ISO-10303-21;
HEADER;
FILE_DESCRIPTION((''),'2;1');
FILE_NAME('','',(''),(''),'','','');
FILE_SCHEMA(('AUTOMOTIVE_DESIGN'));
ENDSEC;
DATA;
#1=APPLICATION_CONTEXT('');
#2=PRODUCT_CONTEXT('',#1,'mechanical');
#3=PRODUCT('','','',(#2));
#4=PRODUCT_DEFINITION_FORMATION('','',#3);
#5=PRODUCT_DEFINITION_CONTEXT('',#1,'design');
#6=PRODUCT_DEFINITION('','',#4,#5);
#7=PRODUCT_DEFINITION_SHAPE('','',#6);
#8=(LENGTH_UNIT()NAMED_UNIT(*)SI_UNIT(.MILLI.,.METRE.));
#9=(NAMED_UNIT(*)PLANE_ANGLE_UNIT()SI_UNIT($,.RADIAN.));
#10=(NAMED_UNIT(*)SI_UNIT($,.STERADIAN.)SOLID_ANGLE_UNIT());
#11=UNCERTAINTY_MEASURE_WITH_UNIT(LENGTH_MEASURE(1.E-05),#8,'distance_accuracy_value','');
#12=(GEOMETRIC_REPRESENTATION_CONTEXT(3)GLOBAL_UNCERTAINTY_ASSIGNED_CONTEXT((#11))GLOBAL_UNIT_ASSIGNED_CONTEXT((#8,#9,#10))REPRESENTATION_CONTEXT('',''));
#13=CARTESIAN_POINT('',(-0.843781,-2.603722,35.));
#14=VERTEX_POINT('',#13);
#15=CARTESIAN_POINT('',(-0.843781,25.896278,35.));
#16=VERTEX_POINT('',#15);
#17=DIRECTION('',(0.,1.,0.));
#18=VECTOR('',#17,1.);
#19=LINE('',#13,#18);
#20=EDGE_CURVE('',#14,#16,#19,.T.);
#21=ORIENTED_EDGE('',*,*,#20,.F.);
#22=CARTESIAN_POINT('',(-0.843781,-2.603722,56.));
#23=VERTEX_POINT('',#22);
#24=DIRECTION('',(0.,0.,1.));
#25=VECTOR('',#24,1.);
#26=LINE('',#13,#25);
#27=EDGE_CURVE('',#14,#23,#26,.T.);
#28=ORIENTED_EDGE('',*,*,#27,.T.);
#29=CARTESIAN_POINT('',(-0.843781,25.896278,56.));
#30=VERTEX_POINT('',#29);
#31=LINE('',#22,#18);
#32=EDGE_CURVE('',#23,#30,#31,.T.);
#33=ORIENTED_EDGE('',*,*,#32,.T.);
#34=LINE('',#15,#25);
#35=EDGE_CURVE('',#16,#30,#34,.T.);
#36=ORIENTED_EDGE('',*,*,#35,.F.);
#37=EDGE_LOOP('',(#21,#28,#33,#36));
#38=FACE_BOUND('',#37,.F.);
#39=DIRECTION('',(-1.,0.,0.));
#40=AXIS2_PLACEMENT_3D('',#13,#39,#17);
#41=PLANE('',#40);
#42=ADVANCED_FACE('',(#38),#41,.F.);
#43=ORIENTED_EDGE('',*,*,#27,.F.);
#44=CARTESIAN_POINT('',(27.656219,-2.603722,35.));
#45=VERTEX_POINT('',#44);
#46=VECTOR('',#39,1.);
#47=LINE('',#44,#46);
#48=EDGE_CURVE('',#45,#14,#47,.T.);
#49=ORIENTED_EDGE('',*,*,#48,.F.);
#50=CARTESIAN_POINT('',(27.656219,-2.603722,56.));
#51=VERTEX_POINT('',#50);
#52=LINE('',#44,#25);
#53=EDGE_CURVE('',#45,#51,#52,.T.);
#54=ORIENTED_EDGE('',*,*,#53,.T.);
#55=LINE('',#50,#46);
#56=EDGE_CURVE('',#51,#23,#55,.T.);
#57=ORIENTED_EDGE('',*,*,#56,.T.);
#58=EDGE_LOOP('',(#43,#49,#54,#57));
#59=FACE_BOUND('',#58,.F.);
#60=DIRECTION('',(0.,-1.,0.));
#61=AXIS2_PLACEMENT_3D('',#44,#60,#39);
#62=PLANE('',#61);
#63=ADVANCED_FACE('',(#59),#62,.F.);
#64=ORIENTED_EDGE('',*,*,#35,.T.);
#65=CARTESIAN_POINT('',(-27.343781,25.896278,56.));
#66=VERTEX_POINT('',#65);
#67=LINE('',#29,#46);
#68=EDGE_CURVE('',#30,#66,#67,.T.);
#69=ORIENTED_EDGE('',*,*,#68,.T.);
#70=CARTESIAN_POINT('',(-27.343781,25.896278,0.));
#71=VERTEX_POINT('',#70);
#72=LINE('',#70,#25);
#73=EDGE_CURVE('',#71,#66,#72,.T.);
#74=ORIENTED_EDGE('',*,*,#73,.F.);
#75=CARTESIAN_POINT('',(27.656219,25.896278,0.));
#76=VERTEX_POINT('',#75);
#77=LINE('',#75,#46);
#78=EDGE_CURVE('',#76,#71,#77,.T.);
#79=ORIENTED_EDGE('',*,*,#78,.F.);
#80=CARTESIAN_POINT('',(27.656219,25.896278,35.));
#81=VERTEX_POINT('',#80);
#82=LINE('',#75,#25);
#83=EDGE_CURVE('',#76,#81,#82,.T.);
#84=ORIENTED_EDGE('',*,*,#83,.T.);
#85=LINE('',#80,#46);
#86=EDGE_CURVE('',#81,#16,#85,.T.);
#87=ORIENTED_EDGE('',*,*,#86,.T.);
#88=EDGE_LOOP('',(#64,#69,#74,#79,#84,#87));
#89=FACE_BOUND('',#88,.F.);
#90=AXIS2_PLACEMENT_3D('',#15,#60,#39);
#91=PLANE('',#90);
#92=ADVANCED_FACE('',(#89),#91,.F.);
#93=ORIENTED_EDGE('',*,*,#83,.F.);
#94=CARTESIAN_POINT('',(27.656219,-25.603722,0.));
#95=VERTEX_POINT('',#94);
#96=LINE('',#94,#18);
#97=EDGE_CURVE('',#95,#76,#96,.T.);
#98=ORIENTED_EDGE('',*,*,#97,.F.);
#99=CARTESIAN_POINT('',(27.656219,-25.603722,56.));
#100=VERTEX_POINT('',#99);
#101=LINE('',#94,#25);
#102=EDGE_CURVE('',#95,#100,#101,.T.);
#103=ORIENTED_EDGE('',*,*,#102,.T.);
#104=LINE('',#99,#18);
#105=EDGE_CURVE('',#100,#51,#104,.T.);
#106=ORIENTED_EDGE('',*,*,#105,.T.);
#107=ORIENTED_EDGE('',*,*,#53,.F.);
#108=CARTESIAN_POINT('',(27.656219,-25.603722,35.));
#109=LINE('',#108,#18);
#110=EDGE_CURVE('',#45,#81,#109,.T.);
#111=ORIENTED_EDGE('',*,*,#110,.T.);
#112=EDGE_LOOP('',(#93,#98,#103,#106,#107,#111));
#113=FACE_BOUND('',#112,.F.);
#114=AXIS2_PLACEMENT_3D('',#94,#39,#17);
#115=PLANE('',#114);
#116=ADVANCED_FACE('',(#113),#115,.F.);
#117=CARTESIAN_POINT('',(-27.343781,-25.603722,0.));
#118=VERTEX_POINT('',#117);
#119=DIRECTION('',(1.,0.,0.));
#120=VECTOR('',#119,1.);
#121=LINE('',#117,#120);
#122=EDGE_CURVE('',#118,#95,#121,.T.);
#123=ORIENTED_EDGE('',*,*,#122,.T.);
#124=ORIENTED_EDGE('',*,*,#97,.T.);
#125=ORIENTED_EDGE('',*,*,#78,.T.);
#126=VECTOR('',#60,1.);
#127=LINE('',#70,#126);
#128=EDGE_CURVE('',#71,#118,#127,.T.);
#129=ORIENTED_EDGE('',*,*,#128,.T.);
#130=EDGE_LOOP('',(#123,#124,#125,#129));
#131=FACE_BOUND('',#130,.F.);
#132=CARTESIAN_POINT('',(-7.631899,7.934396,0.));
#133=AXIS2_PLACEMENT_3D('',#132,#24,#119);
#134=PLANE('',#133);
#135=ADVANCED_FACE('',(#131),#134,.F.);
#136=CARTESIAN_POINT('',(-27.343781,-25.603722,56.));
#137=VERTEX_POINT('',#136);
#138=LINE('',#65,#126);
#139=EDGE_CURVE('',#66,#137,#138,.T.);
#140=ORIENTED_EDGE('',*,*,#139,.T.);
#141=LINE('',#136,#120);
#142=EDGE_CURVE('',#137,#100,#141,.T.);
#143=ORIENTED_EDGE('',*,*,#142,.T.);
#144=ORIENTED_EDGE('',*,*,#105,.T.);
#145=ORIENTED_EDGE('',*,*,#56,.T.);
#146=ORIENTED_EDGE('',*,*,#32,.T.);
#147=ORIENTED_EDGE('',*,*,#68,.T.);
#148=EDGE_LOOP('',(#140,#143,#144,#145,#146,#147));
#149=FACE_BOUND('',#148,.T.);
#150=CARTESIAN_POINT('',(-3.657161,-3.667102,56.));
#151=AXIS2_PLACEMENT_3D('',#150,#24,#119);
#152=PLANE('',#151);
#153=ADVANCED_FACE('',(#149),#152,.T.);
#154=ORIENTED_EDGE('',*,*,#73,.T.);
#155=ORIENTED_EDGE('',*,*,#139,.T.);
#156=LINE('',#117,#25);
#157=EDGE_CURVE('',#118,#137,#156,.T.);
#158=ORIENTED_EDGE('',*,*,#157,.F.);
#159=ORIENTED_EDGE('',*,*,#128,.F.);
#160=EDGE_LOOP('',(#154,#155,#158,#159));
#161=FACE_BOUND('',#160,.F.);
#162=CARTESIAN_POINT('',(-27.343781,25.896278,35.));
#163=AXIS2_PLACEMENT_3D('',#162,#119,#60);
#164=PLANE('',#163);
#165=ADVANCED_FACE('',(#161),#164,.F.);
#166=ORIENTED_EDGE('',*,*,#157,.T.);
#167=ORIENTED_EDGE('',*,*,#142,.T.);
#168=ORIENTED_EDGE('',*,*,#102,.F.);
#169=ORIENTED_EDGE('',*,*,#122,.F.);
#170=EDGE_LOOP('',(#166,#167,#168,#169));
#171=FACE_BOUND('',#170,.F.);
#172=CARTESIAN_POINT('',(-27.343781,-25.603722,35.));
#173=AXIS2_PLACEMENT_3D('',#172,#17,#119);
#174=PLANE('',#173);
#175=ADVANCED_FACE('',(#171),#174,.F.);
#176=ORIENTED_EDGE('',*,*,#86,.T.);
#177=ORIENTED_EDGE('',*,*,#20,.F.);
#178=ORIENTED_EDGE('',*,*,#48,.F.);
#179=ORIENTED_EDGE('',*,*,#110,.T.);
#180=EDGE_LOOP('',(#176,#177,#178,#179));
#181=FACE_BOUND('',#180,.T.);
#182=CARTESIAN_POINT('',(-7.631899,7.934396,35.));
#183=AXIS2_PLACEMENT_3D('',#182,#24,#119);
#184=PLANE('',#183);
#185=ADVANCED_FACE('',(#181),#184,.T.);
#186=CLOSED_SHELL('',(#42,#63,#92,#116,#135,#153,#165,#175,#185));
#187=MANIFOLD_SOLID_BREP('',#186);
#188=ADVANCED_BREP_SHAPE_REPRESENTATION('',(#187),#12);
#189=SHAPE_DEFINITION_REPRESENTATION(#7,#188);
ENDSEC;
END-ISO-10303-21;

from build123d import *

# Parameters (mm, degrees)
F1_DEPTH = 35
F3_DEPTH = 21


with BuildPart() as f1:
    # F0 (on Top) → F1 (new body)
    with BuildSketch(Plane.XY):
        Polygon((27.656219, 25.896278), (-27.343781, 25.896278), (-27.343781, -25.603722), align=None)
        Polygon((27.656219, -25.603722), (27.656219, 25.896278), (-27.343781, -25.603722), align=None)
    extrude(amount=F1_DEPTH)

    # F2 (on face) → F3 (join)
    with BuildSketch(Plane.XY.offset(35)):
        Polygon((-0.843781, 25.896278), (-27.343781, 25.896278), (-27.343781, -25.603722), (27.656219, -25.603722), (27.656219, -2.603722), (-0.843781, -2.603722), align=None)
    extrude(amount=F3_DEPTH)


solid = f1.part
